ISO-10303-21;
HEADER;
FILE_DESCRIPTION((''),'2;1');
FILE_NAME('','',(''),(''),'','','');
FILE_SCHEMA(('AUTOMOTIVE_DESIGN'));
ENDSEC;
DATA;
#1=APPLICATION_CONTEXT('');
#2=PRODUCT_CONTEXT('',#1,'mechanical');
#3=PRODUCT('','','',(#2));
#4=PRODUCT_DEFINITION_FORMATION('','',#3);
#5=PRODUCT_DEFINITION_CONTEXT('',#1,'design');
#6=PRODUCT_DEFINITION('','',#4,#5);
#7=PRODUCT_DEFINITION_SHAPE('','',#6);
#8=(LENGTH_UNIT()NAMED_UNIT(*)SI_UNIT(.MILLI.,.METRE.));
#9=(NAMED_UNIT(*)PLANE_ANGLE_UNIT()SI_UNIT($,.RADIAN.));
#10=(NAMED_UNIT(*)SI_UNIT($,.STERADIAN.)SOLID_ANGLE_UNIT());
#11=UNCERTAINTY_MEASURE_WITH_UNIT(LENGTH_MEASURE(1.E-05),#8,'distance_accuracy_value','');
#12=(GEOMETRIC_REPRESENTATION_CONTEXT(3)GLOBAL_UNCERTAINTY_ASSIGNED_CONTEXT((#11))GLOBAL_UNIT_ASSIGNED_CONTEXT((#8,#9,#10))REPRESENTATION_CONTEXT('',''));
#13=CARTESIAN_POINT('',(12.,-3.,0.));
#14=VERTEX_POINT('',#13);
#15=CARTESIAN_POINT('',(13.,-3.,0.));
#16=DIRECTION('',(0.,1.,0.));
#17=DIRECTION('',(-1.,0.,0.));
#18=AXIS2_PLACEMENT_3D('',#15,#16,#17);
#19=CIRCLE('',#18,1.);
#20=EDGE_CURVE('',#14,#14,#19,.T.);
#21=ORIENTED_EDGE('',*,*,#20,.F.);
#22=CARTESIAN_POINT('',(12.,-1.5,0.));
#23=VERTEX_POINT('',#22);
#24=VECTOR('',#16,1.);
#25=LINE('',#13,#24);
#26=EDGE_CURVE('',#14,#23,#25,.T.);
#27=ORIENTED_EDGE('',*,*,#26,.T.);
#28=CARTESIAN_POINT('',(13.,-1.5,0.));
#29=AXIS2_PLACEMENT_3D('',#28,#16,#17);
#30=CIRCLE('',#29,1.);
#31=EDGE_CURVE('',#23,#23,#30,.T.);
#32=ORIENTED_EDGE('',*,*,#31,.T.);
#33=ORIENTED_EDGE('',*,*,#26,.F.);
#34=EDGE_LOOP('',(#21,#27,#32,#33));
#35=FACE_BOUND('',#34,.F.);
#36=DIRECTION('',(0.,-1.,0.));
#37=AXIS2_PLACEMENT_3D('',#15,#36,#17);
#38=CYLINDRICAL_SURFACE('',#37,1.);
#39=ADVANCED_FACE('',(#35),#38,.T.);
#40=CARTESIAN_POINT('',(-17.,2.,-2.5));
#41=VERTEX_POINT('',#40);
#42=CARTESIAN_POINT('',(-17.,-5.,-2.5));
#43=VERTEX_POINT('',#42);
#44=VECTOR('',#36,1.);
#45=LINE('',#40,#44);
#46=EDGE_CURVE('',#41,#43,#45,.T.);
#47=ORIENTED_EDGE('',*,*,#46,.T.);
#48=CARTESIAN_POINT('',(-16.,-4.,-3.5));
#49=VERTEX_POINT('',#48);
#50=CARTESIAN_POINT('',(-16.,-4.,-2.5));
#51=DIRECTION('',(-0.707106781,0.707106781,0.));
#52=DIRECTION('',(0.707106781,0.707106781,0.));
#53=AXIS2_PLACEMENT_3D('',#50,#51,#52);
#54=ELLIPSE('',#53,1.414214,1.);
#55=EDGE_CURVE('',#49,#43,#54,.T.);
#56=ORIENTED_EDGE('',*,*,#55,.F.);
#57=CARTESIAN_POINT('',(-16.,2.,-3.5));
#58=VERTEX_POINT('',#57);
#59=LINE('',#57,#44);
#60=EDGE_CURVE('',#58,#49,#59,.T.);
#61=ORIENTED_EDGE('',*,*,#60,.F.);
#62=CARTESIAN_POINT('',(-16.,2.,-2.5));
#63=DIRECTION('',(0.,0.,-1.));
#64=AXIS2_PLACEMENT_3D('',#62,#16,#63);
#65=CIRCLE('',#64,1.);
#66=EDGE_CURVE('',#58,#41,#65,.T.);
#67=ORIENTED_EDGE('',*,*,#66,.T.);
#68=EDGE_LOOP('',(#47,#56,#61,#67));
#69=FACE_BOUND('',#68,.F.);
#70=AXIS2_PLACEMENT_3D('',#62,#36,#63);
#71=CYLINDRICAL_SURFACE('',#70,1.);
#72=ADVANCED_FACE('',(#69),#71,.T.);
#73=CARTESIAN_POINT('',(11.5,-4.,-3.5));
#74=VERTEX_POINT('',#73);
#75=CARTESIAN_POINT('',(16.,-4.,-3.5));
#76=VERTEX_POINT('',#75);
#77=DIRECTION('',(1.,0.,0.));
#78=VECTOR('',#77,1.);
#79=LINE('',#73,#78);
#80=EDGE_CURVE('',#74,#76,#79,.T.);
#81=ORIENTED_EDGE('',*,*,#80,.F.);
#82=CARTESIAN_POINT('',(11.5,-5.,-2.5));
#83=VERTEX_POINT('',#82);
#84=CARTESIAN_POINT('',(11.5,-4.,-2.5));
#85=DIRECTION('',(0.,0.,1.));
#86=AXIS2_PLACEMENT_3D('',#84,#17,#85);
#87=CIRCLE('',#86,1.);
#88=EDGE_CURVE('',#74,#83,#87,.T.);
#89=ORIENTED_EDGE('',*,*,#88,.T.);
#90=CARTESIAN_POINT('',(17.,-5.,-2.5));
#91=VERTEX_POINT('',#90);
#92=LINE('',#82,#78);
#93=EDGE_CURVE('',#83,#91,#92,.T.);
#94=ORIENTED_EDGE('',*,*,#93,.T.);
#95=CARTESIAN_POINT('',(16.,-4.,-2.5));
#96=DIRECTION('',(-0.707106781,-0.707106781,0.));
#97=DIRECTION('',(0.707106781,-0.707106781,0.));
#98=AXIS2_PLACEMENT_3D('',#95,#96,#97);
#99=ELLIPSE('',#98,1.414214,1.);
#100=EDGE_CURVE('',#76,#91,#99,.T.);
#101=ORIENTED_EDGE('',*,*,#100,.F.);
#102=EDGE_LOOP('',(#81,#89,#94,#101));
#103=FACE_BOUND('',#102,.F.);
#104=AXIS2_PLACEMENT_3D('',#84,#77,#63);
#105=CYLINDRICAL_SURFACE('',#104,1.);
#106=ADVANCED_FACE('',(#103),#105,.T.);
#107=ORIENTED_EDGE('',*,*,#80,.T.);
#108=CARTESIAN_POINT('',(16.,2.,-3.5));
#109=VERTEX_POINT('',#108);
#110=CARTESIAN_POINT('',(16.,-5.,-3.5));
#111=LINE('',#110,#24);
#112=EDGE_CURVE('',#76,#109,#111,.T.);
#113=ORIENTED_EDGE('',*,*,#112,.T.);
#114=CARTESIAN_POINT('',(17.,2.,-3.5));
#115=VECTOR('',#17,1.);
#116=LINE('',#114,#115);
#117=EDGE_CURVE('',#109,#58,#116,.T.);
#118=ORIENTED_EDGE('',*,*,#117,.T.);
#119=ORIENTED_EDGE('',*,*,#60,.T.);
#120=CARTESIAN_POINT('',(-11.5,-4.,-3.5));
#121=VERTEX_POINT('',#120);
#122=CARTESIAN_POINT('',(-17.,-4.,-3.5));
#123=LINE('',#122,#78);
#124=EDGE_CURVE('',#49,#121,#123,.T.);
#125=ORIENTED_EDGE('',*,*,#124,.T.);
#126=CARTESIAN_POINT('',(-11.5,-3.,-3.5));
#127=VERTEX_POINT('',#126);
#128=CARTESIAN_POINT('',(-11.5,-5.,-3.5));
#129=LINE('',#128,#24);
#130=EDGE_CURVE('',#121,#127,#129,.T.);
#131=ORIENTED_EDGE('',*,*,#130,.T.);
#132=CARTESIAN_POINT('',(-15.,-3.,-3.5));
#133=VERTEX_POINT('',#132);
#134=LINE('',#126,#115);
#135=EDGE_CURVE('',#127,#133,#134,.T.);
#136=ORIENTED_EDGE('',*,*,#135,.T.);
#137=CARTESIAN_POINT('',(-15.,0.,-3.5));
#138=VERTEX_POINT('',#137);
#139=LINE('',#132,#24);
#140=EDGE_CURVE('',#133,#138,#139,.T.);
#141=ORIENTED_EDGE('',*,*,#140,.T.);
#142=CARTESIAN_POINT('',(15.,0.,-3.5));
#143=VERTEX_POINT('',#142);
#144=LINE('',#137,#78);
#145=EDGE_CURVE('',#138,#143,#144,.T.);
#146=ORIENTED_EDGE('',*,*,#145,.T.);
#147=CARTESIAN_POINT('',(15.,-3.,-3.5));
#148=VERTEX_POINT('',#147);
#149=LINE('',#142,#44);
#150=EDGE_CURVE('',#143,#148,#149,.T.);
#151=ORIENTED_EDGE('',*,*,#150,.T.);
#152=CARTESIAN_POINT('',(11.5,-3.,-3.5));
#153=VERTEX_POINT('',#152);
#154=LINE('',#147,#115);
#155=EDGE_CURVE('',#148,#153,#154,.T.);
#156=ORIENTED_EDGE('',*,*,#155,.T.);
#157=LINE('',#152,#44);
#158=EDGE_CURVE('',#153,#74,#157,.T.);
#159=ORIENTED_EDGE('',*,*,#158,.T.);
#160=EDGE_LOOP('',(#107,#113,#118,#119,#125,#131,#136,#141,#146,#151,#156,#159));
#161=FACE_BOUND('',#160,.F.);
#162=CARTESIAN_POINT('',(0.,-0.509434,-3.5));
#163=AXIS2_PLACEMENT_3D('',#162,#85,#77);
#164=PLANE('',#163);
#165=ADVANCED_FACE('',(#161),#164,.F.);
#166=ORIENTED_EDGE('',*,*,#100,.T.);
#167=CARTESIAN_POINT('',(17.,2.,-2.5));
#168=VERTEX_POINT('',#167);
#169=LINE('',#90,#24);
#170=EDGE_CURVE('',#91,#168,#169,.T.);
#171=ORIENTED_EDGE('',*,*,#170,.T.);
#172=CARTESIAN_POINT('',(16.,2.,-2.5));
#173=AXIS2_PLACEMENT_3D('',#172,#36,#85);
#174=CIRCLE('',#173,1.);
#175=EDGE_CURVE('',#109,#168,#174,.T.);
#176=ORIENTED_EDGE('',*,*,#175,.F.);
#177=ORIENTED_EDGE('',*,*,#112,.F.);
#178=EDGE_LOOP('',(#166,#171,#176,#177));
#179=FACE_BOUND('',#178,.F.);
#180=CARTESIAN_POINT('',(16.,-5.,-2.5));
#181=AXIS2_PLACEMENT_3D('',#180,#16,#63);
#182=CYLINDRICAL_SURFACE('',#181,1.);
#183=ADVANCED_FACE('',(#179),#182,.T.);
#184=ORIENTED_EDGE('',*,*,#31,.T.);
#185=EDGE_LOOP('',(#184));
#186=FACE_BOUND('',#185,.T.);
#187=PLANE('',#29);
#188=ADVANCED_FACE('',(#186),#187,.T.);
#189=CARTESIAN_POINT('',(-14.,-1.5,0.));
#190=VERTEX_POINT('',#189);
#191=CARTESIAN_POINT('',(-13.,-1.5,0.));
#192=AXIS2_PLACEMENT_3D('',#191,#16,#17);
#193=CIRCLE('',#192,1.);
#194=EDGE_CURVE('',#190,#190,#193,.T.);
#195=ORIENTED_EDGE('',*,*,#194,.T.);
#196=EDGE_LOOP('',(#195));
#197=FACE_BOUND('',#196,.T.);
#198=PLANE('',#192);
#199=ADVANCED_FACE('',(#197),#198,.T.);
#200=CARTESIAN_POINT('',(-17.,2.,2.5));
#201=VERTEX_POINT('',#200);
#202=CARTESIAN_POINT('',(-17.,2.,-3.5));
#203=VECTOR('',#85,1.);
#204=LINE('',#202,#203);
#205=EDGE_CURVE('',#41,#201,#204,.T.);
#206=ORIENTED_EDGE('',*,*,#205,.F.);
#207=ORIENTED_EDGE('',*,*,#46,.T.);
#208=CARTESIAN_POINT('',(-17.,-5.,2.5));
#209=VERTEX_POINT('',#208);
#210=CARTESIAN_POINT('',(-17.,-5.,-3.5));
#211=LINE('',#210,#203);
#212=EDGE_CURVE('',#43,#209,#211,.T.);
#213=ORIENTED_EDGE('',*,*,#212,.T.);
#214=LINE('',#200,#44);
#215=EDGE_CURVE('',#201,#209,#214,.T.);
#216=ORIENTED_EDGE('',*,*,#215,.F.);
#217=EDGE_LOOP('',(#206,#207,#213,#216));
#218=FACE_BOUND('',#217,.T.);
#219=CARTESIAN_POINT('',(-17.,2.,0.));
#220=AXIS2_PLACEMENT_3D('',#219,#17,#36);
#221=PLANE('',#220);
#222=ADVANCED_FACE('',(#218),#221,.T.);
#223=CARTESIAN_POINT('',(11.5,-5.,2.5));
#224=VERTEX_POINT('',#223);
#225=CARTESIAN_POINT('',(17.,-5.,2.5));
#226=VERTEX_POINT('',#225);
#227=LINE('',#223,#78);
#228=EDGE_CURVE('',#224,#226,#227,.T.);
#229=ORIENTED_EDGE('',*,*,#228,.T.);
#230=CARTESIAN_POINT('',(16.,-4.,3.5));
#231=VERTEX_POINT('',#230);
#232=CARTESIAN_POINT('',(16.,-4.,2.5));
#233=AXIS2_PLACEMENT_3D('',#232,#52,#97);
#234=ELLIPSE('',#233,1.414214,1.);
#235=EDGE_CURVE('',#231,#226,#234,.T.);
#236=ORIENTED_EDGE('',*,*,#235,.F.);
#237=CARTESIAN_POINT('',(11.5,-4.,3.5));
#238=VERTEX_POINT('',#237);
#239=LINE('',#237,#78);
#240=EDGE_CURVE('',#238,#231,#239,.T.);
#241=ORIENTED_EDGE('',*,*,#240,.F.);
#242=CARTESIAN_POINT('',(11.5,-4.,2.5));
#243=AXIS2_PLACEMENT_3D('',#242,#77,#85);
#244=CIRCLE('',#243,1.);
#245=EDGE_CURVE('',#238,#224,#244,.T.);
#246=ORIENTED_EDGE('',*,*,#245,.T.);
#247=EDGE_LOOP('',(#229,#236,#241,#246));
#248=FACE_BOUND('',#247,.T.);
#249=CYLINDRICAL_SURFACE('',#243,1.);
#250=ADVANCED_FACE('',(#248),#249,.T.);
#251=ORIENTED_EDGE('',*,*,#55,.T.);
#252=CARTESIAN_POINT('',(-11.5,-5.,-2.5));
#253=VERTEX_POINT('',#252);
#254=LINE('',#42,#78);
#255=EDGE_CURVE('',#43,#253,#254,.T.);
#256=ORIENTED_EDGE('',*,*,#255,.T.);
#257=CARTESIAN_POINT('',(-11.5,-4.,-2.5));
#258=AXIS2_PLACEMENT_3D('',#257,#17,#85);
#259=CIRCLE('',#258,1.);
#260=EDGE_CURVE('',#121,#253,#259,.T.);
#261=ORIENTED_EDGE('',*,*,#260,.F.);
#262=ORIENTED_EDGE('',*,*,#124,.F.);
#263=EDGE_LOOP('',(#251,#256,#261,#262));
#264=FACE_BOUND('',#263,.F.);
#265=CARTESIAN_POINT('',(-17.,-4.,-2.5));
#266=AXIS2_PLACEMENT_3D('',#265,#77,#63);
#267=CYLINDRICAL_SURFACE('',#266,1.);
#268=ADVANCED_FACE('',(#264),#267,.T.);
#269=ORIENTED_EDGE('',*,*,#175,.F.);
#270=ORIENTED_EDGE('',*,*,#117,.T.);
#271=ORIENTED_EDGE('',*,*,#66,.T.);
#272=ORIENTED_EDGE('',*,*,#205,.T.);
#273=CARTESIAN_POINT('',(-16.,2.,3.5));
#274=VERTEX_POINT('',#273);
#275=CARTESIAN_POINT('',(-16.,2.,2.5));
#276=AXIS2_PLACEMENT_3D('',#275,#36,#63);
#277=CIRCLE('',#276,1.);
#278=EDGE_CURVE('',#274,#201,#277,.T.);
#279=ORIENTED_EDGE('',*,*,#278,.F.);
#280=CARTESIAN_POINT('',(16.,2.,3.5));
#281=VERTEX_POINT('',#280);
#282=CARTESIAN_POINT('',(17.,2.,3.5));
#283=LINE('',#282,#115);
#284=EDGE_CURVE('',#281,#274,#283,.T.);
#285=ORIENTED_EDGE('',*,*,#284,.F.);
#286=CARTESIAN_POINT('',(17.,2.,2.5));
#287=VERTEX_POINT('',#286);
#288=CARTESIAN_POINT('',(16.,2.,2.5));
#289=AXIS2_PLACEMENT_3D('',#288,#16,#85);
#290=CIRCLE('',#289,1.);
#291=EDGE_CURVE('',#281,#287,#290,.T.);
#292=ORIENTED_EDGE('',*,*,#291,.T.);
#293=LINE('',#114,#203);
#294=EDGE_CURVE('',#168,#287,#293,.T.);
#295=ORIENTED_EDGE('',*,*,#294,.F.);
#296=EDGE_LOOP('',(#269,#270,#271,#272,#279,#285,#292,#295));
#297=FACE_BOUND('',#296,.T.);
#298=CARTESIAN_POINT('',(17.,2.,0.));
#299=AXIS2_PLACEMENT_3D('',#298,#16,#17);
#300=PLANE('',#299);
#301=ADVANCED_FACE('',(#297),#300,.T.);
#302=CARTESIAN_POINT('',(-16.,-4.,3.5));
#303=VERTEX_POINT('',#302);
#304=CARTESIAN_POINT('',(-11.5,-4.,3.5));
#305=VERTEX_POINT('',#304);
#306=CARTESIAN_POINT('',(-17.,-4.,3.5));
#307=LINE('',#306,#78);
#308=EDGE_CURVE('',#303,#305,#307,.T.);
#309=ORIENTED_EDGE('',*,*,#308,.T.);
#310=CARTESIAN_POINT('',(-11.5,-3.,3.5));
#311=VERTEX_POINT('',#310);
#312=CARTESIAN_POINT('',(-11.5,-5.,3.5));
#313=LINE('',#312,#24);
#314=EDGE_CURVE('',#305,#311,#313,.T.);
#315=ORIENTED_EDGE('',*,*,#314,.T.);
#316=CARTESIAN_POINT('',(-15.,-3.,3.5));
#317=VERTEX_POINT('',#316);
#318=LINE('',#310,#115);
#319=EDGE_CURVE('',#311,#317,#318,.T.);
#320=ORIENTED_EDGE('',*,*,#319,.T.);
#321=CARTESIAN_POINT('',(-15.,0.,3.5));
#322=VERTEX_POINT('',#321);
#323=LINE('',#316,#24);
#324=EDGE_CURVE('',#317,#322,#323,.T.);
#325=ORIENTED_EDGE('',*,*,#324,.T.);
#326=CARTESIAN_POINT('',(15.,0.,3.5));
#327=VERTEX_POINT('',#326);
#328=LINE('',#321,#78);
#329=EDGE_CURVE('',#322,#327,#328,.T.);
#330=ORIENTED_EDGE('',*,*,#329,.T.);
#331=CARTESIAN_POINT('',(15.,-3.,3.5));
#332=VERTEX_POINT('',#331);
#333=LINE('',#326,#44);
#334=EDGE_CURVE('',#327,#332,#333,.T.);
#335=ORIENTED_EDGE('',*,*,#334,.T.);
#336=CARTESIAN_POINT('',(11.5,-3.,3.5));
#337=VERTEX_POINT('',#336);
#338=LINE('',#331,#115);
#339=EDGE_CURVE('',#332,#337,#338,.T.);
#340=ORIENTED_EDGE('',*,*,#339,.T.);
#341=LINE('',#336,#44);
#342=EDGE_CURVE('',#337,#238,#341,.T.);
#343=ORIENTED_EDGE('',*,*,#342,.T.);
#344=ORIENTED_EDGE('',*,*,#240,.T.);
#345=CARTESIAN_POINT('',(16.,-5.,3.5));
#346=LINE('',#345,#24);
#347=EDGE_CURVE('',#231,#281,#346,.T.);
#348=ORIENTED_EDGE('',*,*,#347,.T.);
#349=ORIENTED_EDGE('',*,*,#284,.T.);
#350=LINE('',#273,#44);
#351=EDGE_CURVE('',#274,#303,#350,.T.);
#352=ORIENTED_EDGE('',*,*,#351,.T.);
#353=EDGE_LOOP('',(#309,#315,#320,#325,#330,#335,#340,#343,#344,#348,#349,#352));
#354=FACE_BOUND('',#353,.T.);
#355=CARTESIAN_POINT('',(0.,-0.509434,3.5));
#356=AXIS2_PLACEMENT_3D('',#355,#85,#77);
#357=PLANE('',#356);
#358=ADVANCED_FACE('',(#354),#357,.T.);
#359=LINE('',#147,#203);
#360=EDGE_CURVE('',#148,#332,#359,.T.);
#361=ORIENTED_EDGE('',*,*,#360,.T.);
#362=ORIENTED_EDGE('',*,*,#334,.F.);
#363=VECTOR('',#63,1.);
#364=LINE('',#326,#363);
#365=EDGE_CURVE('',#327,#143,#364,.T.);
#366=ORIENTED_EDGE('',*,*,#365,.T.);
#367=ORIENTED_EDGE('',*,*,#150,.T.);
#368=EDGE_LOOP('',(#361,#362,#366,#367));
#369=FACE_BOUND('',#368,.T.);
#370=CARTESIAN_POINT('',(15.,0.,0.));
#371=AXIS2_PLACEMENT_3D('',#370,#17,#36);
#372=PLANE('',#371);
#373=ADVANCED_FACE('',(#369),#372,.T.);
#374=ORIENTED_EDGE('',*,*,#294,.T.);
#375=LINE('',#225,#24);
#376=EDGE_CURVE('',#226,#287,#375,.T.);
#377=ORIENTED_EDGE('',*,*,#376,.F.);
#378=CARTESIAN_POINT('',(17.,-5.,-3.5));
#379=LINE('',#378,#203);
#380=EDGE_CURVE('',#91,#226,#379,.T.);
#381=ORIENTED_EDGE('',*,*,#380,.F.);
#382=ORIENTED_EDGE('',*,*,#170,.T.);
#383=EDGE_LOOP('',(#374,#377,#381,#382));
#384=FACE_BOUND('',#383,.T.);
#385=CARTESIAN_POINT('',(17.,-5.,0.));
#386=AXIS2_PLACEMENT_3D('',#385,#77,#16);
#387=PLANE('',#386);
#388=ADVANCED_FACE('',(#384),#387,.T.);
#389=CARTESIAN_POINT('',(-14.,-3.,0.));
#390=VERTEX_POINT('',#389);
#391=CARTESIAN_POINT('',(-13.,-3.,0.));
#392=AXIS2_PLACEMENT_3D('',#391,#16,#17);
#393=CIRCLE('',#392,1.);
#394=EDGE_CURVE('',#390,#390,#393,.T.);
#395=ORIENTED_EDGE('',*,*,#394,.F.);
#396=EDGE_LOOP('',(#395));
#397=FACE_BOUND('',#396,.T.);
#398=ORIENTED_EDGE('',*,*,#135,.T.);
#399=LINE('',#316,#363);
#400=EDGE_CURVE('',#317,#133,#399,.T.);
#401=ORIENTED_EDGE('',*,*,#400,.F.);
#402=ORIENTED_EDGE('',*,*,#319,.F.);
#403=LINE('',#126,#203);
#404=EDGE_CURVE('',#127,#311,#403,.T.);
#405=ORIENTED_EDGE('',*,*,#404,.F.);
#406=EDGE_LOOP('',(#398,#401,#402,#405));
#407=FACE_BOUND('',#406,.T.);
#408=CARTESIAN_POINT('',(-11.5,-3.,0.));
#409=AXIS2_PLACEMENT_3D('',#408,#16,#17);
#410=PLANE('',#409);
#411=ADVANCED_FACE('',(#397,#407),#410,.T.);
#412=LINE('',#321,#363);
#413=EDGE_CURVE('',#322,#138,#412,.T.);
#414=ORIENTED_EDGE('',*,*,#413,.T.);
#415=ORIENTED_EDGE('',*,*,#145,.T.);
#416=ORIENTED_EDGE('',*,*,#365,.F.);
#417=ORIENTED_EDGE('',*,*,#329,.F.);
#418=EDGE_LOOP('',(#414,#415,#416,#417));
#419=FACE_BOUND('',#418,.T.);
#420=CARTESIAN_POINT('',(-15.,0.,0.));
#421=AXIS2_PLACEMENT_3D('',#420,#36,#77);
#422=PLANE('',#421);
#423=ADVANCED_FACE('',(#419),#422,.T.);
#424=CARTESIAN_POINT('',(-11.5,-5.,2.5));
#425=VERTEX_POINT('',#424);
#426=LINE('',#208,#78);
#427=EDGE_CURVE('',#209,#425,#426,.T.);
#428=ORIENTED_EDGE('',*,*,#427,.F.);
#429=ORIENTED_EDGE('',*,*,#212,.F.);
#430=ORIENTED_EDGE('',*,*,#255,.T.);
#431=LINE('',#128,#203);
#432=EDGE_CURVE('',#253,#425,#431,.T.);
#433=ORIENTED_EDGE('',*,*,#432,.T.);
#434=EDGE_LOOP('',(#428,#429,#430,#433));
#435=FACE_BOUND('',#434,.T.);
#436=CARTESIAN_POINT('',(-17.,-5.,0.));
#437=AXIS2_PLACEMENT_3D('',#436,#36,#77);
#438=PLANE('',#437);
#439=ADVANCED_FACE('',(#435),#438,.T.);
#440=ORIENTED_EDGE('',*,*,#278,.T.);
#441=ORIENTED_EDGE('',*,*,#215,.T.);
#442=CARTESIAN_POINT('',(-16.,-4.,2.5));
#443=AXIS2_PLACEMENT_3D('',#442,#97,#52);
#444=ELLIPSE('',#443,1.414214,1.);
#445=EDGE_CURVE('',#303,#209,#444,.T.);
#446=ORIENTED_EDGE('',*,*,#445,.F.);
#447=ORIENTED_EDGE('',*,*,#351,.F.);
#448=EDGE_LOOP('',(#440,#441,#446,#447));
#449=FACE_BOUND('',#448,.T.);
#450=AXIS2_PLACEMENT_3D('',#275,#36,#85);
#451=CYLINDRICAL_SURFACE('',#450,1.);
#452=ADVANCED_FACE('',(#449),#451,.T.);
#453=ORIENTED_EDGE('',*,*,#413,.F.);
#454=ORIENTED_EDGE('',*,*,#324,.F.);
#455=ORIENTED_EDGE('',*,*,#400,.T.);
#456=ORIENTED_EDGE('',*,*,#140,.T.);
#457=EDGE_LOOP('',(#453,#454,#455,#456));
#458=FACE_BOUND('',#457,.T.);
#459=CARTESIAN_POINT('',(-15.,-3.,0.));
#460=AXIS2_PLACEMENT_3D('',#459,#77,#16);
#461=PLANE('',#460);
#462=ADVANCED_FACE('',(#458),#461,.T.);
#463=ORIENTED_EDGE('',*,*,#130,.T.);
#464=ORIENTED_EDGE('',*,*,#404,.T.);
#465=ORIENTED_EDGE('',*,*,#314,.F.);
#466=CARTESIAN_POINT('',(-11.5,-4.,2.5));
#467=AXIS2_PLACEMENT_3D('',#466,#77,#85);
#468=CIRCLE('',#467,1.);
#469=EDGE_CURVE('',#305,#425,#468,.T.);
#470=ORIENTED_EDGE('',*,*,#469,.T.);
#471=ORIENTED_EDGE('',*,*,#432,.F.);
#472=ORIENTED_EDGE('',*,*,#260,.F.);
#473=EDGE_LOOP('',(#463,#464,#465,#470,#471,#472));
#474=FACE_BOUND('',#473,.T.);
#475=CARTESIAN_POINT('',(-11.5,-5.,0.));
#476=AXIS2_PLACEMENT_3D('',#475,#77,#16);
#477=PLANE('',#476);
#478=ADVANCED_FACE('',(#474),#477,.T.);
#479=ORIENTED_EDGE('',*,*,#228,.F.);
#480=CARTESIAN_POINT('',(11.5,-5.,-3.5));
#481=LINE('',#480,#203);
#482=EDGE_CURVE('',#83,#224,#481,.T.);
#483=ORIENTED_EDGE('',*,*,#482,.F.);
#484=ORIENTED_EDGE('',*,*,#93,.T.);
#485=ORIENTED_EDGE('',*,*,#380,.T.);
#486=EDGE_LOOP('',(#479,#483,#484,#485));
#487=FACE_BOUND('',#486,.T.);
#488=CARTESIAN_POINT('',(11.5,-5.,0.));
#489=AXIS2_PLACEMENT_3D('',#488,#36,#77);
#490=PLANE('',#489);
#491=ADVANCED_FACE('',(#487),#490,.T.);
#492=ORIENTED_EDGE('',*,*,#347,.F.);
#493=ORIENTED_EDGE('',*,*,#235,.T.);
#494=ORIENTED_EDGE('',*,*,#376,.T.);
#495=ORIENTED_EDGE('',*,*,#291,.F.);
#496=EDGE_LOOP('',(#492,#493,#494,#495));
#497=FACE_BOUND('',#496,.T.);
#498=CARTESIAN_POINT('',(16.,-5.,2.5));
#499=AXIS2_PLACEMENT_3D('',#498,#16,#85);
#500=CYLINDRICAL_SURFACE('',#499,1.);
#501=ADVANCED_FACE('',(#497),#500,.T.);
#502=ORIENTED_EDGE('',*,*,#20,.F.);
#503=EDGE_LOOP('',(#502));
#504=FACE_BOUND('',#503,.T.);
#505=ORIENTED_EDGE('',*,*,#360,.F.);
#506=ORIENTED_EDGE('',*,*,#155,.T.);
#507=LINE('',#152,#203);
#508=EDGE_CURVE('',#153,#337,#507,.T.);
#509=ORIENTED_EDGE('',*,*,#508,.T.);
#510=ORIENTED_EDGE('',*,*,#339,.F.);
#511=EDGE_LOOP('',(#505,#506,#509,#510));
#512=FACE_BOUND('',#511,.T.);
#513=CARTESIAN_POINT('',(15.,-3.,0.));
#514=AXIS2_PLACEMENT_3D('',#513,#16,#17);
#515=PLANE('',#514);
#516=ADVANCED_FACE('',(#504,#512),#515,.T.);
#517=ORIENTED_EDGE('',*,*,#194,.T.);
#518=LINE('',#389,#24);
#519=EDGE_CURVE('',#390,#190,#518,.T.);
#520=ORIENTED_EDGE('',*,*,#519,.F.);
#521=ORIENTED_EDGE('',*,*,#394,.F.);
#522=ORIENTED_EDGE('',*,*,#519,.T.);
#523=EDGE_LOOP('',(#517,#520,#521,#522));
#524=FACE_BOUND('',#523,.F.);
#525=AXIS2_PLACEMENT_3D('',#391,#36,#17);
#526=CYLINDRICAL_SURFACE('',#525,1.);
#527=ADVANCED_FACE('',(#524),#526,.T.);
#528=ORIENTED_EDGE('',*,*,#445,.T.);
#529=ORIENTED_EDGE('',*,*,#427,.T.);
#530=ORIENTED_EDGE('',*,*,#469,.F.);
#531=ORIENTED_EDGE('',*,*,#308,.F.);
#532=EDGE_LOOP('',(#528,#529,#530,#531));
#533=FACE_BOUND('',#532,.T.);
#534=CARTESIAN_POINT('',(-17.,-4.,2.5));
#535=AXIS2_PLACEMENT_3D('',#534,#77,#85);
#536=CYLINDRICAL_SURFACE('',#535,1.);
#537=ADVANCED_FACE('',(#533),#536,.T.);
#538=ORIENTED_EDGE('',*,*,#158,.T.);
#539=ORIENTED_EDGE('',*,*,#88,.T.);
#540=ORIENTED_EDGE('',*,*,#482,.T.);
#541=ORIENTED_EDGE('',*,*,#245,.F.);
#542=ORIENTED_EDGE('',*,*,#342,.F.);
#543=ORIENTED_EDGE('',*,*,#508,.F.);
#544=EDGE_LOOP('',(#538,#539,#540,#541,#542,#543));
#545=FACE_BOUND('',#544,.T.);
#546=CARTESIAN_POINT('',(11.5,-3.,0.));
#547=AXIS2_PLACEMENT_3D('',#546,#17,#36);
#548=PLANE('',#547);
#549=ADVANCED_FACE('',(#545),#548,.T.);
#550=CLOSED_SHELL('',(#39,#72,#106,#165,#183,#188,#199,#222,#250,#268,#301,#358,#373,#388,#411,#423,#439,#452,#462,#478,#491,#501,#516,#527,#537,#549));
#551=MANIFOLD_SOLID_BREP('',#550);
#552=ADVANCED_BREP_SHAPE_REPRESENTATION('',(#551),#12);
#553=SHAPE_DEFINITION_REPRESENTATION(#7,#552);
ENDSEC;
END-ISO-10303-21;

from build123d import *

# Parameters (mm, degrees)
PAD_DEPTH    = 3.5
SKETCH001_R  = 1
PAD001_DEPTH = 1.5
FILLET_R     = 1


with BuildPart() as part:
    # Sketch → Pad (new body, symmetric)
    with BuildSketch(Plane.XY):
        Polygon((0, 0), (15, 0), (15, -3), (11.5, -3), (11.5, -5), (17, -5), (17, 2), (-17, 2), (-17, -5), (-11.5, -5), (-11.5, -3), (-15, -3), (-15, 0), align=None)
    extrude(amount=PAD_DEPTH, both=True)

    # Sketch001 (on Face11 of Pad) → Pad001 (join)
    with BuildSketch(Plane(origin=(0, -3, 0), x_dir=(-1, 0, 0), z_dir=(0, 1, 0))):
        with Locations((-13, 0)):
            Circle(SKETCH001_R)
        with Locations((13, 0)):
            Circle(SKETCH001_R)
    extrude(amount=PAD001_DEPTH)

    # Fillet
    fillet_edges = [part.edges().sort_by_distance(p)[0] for p in [
        (14.25, -5, 3.5),
        (-14.25, -5, 3.5),
        (-14.25, -5, -3.5),
        (14.25, -5, -3.5),
        (-17, -1.5, 3.5),
        (17, -1.5, 3.5),
        (17, -1.5, -3.5),
        (-17, -1.5, -3.5),
    ]]
    fillet(fillet_edges, radius=FILLET_R)


solid = part.part
